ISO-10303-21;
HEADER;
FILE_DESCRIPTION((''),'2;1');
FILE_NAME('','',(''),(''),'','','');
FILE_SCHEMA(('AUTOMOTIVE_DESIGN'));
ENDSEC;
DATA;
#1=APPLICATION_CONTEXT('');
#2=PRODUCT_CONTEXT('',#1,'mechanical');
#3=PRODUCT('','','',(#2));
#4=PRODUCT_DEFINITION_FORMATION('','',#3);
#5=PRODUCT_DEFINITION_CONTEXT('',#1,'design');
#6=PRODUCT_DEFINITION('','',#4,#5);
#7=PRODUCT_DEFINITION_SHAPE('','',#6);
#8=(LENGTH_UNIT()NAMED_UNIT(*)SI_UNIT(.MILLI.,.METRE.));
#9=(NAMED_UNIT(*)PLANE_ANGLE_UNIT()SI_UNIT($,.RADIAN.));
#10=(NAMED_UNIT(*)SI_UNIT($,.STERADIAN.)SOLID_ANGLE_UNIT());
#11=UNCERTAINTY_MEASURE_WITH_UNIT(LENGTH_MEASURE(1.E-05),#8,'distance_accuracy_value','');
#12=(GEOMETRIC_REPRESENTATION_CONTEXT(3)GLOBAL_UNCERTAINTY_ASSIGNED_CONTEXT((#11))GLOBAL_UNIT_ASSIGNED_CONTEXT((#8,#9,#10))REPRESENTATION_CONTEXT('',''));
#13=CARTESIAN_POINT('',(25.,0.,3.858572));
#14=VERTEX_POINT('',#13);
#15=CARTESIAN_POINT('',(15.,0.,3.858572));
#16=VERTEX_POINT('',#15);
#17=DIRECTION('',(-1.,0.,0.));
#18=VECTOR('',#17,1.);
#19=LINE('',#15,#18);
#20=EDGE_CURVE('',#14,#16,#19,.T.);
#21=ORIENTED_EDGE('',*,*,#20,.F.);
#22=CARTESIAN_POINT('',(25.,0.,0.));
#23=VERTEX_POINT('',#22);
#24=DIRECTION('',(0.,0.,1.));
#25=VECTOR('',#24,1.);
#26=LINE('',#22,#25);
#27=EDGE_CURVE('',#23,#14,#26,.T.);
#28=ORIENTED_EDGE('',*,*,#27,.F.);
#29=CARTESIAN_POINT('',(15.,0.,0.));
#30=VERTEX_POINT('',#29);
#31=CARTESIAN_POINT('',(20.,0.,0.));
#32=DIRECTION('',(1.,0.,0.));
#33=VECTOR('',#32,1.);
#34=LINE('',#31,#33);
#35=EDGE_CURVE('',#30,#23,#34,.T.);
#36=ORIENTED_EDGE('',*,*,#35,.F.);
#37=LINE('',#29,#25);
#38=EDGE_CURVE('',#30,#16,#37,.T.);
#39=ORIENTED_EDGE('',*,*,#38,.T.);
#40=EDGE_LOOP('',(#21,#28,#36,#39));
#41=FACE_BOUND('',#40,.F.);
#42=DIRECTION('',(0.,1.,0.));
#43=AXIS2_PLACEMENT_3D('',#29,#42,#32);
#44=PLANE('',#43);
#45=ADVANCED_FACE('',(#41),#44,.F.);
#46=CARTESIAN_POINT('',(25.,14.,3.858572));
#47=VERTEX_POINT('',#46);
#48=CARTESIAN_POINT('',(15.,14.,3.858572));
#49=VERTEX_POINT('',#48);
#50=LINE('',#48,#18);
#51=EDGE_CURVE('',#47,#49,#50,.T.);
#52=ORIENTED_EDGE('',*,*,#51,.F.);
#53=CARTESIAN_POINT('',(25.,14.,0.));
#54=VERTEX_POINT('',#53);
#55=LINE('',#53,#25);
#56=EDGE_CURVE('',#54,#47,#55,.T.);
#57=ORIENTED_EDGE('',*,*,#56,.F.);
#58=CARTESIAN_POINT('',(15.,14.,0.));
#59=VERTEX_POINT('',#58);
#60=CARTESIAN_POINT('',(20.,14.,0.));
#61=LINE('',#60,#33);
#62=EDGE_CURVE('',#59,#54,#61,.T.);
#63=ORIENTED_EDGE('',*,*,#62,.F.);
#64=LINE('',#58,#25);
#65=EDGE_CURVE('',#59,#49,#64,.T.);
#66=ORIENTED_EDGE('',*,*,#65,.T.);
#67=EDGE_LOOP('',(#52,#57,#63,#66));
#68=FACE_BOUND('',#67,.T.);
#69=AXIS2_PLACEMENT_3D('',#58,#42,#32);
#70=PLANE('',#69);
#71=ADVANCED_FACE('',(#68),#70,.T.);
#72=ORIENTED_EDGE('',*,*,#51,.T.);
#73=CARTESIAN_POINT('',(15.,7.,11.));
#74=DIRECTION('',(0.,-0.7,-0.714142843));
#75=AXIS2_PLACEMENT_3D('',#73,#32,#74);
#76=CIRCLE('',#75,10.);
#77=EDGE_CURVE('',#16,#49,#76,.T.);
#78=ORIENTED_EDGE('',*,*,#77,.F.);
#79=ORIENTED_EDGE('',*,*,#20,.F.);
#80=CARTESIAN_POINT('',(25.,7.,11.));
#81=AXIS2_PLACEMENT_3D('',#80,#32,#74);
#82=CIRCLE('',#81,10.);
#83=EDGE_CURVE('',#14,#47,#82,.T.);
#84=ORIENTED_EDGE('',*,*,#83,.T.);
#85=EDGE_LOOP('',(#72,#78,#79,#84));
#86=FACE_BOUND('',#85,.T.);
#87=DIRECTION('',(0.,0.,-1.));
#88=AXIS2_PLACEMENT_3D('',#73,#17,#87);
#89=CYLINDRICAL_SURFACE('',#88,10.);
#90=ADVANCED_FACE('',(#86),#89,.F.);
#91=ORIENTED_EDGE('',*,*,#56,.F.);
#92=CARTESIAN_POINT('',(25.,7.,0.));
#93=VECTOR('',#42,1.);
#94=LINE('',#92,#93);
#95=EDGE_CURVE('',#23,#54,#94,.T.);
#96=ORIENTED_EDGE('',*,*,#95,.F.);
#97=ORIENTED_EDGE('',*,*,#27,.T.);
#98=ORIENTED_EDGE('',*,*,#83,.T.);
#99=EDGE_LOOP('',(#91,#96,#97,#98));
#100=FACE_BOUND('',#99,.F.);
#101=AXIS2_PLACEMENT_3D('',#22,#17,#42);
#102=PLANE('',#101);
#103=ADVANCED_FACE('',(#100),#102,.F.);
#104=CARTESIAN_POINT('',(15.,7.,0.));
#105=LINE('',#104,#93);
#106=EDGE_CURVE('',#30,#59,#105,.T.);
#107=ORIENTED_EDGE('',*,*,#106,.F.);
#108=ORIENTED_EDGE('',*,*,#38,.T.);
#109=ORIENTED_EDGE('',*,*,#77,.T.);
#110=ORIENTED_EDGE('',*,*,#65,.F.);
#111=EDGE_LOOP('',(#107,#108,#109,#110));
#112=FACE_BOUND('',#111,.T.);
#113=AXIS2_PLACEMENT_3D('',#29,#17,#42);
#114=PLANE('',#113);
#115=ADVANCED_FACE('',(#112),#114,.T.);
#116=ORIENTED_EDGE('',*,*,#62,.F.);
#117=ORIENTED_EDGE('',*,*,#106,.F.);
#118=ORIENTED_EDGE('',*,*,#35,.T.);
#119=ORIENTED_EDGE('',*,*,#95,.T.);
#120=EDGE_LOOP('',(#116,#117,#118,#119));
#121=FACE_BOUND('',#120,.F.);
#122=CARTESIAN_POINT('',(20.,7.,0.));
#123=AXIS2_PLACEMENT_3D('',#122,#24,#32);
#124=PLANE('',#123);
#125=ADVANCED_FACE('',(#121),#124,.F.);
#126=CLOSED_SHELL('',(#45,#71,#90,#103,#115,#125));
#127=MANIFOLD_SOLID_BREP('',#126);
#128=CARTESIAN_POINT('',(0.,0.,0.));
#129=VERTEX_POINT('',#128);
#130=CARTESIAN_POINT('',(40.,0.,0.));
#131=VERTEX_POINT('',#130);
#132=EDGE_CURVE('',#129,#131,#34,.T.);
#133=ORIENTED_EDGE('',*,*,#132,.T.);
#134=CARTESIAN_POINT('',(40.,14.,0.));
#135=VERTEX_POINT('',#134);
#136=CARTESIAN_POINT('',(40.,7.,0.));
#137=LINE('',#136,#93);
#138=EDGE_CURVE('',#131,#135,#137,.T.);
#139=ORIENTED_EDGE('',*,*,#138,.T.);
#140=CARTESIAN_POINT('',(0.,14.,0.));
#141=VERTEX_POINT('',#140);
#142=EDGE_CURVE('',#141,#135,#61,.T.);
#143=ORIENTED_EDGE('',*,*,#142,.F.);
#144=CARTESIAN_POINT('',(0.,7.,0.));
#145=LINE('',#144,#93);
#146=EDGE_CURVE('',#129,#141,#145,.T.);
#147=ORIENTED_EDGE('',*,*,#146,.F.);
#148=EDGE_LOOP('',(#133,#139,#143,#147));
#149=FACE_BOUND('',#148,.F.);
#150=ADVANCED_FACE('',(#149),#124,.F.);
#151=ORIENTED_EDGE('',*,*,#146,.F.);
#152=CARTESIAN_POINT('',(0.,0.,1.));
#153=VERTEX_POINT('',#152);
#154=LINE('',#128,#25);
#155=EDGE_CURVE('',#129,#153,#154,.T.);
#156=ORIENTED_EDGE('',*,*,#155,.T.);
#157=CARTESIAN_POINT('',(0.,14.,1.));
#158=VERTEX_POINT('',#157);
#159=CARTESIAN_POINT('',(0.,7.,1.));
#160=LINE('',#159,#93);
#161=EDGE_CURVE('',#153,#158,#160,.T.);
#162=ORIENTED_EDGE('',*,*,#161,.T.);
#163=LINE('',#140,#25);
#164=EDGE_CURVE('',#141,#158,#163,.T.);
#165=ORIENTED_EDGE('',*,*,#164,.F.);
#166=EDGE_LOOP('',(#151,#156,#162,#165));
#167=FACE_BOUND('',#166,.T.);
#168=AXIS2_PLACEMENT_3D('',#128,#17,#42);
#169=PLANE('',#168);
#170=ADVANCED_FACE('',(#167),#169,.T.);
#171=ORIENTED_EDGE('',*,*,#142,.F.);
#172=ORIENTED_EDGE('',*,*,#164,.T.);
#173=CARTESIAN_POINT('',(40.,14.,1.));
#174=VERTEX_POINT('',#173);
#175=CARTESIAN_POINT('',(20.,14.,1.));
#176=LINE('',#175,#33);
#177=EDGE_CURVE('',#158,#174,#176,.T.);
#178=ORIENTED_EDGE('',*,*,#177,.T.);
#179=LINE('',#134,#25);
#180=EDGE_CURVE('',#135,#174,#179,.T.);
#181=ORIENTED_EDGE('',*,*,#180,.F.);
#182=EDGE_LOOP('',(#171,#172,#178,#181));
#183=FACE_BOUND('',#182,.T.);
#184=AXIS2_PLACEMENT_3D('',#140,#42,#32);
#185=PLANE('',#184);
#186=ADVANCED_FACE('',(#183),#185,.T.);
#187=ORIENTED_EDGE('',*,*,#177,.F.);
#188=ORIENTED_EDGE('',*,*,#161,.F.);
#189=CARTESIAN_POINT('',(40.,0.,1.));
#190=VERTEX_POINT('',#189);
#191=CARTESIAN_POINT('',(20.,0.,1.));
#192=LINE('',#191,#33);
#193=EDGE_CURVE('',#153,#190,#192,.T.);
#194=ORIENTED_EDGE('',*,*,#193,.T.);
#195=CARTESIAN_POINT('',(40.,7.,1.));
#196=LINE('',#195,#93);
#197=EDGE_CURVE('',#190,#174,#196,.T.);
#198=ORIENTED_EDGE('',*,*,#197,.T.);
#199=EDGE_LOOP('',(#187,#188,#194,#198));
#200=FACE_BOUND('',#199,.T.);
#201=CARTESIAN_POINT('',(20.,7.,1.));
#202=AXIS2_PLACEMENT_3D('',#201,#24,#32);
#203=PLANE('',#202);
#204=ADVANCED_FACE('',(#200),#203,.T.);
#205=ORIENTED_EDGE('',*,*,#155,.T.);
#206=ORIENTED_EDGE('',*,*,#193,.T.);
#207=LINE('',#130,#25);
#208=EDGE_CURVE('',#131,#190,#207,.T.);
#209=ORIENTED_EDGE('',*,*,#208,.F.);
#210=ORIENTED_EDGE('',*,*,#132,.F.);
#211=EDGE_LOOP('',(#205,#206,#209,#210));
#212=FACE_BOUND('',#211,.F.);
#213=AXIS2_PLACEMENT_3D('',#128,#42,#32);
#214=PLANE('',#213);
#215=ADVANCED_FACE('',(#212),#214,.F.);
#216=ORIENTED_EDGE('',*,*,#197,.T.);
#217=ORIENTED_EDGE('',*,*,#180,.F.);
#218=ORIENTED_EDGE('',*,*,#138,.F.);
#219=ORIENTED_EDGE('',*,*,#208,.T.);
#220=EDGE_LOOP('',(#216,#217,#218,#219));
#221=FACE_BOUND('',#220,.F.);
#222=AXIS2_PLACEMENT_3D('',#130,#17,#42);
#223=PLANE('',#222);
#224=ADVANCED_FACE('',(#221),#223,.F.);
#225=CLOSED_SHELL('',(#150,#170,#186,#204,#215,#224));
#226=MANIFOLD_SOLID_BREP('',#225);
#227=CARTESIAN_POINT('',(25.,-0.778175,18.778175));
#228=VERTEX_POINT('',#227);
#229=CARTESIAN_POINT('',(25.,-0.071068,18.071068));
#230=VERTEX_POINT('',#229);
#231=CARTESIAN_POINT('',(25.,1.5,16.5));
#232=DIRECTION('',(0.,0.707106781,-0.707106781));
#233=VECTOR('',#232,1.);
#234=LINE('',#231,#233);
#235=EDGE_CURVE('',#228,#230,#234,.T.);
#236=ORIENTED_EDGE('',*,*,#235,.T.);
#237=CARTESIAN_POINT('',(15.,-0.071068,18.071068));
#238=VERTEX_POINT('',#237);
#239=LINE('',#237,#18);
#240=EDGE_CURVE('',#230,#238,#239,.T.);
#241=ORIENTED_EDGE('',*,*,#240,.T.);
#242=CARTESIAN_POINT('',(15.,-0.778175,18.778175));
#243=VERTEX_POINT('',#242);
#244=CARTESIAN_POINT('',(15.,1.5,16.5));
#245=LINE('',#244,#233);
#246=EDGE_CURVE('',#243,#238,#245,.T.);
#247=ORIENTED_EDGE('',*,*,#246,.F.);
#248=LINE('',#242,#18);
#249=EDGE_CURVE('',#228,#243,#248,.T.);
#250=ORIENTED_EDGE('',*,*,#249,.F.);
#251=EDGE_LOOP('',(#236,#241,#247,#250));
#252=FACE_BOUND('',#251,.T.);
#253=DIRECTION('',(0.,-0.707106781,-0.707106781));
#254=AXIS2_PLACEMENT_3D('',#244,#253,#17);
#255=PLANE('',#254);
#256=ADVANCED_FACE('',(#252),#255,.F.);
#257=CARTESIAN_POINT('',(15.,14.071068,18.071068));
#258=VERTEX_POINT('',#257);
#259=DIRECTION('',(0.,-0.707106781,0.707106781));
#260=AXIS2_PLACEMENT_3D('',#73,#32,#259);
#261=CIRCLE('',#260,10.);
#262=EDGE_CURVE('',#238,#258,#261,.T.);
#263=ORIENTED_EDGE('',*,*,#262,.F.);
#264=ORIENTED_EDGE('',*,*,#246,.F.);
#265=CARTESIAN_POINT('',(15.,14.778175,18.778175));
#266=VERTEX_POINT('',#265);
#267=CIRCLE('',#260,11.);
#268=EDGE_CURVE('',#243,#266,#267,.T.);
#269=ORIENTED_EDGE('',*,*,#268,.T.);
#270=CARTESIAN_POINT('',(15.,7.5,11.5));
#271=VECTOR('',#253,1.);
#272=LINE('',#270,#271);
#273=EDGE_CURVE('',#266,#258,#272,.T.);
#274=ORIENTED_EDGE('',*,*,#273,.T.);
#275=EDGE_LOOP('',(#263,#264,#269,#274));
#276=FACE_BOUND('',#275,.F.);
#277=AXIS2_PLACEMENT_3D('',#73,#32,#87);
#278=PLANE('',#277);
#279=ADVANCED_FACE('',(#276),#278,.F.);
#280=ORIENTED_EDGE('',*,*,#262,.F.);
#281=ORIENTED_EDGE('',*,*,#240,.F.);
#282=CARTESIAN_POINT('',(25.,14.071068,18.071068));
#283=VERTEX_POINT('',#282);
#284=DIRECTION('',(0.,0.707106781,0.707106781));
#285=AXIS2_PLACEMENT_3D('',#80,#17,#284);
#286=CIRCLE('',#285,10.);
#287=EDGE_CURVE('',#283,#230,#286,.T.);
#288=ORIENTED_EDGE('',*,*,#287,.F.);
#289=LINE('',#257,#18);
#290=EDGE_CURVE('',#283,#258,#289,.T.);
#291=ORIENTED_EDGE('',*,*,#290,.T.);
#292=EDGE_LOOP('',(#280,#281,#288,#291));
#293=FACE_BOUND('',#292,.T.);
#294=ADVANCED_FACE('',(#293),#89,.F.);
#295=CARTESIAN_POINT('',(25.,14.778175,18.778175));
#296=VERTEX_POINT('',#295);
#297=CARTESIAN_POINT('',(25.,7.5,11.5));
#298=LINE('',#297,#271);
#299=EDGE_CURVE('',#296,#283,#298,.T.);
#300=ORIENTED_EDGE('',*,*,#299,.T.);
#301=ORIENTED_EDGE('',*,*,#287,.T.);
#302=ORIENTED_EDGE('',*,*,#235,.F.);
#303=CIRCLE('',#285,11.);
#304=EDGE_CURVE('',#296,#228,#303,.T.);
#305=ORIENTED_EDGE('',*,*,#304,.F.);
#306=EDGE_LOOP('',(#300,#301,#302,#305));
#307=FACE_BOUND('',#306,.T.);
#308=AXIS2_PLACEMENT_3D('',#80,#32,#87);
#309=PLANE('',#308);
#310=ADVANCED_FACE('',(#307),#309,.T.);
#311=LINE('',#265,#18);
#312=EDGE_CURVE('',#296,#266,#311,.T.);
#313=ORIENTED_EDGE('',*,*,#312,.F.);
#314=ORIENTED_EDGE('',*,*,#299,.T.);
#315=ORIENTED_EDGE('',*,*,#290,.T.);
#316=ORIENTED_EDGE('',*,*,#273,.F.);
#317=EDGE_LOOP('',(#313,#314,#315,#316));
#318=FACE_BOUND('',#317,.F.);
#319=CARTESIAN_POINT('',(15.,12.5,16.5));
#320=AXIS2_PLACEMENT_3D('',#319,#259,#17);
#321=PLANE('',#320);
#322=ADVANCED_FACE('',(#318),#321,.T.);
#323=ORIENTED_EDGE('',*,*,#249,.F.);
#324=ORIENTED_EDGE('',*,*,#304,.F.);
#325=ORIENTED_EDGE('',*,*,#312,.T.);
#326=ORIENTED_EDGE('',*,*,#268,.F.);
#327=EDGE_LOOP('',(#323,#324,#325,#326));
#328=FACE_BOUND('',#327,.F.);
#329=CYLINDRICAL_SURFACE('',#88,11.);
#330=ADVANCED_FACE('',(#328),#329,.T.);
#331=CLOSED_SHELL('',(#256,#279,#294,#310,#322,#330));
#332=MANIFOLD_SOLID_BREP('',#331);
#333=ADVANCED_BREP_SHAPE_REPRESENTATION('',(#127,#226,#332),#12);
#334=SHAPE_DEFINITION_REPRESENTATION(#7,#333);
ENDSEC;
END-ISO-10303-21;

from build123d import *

# Parameters (mm, degrees)
BOX_W                   = 40
BOX_H                   = 14
BOX_DEPTH               = 1
CYLINDER001_R           = 10
CYLINDER001_DEPTH       = 10
CYLINDER001_PITCH_ANGLE = 90
BOX001_W                = 10
BOX001_H                = 14
BOX001_DEPTH            = 4
BOX002_W                = 10
BOX002_H                = 20
BOX002_DEPTH            = 10
CHAMFER_SIZE            = 9
CYLINDER_R              = 11
CYLINDER_DEPTH          = 10
CYLINDER_PITCH_ANGLE    = 90


with BuildPart() as cube:
    # Box → Box (new body)
    with BuildSketch(Plane.XY):
        with Locations((20, 7)):
            Rectangle(BOX_W, BOX_H)
    extrude(amount=BOX_DEPTH)


with BuildPart() as cylinder001:
    # Cylinder001 → Cylinder001 (new body)
    with BuildSketch(Plane.XY):
        Circle(CYLINDER001_R)
    extrude(amount=CYLINDER001_DEPTH)


with BuildPart() as cylinder001_1:
    # Cylinder001 pitch: moved
    add(cylinder001.part.rotate(Axis((0, 0, 0), (0, 1, 0)), CYLINDER001_PITCH_ANGLE))


with BuildPart() as cylinder001_2:
    # Cylinder001 placement: moved
    add(cylinder001_1.part.moved(Location((15, 7, 11))))


with BuildPart() as cut001:
    # Box001 → Box001 (new body)
    with BuildSketch(Plane(origin=(15, 0, 0), x_dir=(1, 0, 0), z_dir=(0, 0, 1))):
        with Locations((5, 7)):
            Rectangle(BOX001_W, BOX001_H)
    extrude(amount=BOX001_DEPTH)

    # Cut001: cut Cylinder001
    add(cylinder001_2.part, mode=Mode.SUBTRACT)


with BuildPart() as chamfer_body:
    # Box002 → Box002 (new body)
    with BuildSketch(Plane(origin=(15, -3, 20), x_dir=(1, 0, 0), z_dir=(0, 0, 1))):
        with Locations((5, 10)):
            Rectangle(BOX002_W, BOX002_H)
    extrude(amount=BOX002_DEPTH)

    # Chamfer
    chamfer_edges = [chamfer_body.edges().sort_by_distance(p)[0] for p in [
        (20, -3, 20),
        (20, 17, 20),
    ]]
    chamfer(chamfer_edges, length=CHAMFER_SIZE)


with BuildPart() as chamfer_body_1:
    # Chamfer placement: moved
    add(chamfer_body.part.moved(Location((0, 0, -8))))


with BuildPart() as cut002:
    # Cylinder → Cylinder (new body)
    with BuildSketch(Plane.XY):
        Circle(CYLINDER_R)
    extrude(amount=CYLINDER_DEPTH)


with BuildPart() as cut002_1:
    # Cylinder pitch: moved
    add(cut002.part.rotate(Axis((0, 0, 0), (0, 1, 0)), CYLINDER_PITCH_ANGLE))


with BuildPart() as cut002_2:
    # Cylinder placement: moved
    add(cut002_1.part.moved(Location((15, 7, 11))))

    # Cut: cut Cylinder001
    add(cylinder001_2.part, mode=Mode.SUBTRACT)

    # Cut002: cut Chamfer body
    add(chamfer_body_1.part, mode=Mode.SUBTRACT)


solid = Compound([cube.part, cut001.part, cut002_2.part])
